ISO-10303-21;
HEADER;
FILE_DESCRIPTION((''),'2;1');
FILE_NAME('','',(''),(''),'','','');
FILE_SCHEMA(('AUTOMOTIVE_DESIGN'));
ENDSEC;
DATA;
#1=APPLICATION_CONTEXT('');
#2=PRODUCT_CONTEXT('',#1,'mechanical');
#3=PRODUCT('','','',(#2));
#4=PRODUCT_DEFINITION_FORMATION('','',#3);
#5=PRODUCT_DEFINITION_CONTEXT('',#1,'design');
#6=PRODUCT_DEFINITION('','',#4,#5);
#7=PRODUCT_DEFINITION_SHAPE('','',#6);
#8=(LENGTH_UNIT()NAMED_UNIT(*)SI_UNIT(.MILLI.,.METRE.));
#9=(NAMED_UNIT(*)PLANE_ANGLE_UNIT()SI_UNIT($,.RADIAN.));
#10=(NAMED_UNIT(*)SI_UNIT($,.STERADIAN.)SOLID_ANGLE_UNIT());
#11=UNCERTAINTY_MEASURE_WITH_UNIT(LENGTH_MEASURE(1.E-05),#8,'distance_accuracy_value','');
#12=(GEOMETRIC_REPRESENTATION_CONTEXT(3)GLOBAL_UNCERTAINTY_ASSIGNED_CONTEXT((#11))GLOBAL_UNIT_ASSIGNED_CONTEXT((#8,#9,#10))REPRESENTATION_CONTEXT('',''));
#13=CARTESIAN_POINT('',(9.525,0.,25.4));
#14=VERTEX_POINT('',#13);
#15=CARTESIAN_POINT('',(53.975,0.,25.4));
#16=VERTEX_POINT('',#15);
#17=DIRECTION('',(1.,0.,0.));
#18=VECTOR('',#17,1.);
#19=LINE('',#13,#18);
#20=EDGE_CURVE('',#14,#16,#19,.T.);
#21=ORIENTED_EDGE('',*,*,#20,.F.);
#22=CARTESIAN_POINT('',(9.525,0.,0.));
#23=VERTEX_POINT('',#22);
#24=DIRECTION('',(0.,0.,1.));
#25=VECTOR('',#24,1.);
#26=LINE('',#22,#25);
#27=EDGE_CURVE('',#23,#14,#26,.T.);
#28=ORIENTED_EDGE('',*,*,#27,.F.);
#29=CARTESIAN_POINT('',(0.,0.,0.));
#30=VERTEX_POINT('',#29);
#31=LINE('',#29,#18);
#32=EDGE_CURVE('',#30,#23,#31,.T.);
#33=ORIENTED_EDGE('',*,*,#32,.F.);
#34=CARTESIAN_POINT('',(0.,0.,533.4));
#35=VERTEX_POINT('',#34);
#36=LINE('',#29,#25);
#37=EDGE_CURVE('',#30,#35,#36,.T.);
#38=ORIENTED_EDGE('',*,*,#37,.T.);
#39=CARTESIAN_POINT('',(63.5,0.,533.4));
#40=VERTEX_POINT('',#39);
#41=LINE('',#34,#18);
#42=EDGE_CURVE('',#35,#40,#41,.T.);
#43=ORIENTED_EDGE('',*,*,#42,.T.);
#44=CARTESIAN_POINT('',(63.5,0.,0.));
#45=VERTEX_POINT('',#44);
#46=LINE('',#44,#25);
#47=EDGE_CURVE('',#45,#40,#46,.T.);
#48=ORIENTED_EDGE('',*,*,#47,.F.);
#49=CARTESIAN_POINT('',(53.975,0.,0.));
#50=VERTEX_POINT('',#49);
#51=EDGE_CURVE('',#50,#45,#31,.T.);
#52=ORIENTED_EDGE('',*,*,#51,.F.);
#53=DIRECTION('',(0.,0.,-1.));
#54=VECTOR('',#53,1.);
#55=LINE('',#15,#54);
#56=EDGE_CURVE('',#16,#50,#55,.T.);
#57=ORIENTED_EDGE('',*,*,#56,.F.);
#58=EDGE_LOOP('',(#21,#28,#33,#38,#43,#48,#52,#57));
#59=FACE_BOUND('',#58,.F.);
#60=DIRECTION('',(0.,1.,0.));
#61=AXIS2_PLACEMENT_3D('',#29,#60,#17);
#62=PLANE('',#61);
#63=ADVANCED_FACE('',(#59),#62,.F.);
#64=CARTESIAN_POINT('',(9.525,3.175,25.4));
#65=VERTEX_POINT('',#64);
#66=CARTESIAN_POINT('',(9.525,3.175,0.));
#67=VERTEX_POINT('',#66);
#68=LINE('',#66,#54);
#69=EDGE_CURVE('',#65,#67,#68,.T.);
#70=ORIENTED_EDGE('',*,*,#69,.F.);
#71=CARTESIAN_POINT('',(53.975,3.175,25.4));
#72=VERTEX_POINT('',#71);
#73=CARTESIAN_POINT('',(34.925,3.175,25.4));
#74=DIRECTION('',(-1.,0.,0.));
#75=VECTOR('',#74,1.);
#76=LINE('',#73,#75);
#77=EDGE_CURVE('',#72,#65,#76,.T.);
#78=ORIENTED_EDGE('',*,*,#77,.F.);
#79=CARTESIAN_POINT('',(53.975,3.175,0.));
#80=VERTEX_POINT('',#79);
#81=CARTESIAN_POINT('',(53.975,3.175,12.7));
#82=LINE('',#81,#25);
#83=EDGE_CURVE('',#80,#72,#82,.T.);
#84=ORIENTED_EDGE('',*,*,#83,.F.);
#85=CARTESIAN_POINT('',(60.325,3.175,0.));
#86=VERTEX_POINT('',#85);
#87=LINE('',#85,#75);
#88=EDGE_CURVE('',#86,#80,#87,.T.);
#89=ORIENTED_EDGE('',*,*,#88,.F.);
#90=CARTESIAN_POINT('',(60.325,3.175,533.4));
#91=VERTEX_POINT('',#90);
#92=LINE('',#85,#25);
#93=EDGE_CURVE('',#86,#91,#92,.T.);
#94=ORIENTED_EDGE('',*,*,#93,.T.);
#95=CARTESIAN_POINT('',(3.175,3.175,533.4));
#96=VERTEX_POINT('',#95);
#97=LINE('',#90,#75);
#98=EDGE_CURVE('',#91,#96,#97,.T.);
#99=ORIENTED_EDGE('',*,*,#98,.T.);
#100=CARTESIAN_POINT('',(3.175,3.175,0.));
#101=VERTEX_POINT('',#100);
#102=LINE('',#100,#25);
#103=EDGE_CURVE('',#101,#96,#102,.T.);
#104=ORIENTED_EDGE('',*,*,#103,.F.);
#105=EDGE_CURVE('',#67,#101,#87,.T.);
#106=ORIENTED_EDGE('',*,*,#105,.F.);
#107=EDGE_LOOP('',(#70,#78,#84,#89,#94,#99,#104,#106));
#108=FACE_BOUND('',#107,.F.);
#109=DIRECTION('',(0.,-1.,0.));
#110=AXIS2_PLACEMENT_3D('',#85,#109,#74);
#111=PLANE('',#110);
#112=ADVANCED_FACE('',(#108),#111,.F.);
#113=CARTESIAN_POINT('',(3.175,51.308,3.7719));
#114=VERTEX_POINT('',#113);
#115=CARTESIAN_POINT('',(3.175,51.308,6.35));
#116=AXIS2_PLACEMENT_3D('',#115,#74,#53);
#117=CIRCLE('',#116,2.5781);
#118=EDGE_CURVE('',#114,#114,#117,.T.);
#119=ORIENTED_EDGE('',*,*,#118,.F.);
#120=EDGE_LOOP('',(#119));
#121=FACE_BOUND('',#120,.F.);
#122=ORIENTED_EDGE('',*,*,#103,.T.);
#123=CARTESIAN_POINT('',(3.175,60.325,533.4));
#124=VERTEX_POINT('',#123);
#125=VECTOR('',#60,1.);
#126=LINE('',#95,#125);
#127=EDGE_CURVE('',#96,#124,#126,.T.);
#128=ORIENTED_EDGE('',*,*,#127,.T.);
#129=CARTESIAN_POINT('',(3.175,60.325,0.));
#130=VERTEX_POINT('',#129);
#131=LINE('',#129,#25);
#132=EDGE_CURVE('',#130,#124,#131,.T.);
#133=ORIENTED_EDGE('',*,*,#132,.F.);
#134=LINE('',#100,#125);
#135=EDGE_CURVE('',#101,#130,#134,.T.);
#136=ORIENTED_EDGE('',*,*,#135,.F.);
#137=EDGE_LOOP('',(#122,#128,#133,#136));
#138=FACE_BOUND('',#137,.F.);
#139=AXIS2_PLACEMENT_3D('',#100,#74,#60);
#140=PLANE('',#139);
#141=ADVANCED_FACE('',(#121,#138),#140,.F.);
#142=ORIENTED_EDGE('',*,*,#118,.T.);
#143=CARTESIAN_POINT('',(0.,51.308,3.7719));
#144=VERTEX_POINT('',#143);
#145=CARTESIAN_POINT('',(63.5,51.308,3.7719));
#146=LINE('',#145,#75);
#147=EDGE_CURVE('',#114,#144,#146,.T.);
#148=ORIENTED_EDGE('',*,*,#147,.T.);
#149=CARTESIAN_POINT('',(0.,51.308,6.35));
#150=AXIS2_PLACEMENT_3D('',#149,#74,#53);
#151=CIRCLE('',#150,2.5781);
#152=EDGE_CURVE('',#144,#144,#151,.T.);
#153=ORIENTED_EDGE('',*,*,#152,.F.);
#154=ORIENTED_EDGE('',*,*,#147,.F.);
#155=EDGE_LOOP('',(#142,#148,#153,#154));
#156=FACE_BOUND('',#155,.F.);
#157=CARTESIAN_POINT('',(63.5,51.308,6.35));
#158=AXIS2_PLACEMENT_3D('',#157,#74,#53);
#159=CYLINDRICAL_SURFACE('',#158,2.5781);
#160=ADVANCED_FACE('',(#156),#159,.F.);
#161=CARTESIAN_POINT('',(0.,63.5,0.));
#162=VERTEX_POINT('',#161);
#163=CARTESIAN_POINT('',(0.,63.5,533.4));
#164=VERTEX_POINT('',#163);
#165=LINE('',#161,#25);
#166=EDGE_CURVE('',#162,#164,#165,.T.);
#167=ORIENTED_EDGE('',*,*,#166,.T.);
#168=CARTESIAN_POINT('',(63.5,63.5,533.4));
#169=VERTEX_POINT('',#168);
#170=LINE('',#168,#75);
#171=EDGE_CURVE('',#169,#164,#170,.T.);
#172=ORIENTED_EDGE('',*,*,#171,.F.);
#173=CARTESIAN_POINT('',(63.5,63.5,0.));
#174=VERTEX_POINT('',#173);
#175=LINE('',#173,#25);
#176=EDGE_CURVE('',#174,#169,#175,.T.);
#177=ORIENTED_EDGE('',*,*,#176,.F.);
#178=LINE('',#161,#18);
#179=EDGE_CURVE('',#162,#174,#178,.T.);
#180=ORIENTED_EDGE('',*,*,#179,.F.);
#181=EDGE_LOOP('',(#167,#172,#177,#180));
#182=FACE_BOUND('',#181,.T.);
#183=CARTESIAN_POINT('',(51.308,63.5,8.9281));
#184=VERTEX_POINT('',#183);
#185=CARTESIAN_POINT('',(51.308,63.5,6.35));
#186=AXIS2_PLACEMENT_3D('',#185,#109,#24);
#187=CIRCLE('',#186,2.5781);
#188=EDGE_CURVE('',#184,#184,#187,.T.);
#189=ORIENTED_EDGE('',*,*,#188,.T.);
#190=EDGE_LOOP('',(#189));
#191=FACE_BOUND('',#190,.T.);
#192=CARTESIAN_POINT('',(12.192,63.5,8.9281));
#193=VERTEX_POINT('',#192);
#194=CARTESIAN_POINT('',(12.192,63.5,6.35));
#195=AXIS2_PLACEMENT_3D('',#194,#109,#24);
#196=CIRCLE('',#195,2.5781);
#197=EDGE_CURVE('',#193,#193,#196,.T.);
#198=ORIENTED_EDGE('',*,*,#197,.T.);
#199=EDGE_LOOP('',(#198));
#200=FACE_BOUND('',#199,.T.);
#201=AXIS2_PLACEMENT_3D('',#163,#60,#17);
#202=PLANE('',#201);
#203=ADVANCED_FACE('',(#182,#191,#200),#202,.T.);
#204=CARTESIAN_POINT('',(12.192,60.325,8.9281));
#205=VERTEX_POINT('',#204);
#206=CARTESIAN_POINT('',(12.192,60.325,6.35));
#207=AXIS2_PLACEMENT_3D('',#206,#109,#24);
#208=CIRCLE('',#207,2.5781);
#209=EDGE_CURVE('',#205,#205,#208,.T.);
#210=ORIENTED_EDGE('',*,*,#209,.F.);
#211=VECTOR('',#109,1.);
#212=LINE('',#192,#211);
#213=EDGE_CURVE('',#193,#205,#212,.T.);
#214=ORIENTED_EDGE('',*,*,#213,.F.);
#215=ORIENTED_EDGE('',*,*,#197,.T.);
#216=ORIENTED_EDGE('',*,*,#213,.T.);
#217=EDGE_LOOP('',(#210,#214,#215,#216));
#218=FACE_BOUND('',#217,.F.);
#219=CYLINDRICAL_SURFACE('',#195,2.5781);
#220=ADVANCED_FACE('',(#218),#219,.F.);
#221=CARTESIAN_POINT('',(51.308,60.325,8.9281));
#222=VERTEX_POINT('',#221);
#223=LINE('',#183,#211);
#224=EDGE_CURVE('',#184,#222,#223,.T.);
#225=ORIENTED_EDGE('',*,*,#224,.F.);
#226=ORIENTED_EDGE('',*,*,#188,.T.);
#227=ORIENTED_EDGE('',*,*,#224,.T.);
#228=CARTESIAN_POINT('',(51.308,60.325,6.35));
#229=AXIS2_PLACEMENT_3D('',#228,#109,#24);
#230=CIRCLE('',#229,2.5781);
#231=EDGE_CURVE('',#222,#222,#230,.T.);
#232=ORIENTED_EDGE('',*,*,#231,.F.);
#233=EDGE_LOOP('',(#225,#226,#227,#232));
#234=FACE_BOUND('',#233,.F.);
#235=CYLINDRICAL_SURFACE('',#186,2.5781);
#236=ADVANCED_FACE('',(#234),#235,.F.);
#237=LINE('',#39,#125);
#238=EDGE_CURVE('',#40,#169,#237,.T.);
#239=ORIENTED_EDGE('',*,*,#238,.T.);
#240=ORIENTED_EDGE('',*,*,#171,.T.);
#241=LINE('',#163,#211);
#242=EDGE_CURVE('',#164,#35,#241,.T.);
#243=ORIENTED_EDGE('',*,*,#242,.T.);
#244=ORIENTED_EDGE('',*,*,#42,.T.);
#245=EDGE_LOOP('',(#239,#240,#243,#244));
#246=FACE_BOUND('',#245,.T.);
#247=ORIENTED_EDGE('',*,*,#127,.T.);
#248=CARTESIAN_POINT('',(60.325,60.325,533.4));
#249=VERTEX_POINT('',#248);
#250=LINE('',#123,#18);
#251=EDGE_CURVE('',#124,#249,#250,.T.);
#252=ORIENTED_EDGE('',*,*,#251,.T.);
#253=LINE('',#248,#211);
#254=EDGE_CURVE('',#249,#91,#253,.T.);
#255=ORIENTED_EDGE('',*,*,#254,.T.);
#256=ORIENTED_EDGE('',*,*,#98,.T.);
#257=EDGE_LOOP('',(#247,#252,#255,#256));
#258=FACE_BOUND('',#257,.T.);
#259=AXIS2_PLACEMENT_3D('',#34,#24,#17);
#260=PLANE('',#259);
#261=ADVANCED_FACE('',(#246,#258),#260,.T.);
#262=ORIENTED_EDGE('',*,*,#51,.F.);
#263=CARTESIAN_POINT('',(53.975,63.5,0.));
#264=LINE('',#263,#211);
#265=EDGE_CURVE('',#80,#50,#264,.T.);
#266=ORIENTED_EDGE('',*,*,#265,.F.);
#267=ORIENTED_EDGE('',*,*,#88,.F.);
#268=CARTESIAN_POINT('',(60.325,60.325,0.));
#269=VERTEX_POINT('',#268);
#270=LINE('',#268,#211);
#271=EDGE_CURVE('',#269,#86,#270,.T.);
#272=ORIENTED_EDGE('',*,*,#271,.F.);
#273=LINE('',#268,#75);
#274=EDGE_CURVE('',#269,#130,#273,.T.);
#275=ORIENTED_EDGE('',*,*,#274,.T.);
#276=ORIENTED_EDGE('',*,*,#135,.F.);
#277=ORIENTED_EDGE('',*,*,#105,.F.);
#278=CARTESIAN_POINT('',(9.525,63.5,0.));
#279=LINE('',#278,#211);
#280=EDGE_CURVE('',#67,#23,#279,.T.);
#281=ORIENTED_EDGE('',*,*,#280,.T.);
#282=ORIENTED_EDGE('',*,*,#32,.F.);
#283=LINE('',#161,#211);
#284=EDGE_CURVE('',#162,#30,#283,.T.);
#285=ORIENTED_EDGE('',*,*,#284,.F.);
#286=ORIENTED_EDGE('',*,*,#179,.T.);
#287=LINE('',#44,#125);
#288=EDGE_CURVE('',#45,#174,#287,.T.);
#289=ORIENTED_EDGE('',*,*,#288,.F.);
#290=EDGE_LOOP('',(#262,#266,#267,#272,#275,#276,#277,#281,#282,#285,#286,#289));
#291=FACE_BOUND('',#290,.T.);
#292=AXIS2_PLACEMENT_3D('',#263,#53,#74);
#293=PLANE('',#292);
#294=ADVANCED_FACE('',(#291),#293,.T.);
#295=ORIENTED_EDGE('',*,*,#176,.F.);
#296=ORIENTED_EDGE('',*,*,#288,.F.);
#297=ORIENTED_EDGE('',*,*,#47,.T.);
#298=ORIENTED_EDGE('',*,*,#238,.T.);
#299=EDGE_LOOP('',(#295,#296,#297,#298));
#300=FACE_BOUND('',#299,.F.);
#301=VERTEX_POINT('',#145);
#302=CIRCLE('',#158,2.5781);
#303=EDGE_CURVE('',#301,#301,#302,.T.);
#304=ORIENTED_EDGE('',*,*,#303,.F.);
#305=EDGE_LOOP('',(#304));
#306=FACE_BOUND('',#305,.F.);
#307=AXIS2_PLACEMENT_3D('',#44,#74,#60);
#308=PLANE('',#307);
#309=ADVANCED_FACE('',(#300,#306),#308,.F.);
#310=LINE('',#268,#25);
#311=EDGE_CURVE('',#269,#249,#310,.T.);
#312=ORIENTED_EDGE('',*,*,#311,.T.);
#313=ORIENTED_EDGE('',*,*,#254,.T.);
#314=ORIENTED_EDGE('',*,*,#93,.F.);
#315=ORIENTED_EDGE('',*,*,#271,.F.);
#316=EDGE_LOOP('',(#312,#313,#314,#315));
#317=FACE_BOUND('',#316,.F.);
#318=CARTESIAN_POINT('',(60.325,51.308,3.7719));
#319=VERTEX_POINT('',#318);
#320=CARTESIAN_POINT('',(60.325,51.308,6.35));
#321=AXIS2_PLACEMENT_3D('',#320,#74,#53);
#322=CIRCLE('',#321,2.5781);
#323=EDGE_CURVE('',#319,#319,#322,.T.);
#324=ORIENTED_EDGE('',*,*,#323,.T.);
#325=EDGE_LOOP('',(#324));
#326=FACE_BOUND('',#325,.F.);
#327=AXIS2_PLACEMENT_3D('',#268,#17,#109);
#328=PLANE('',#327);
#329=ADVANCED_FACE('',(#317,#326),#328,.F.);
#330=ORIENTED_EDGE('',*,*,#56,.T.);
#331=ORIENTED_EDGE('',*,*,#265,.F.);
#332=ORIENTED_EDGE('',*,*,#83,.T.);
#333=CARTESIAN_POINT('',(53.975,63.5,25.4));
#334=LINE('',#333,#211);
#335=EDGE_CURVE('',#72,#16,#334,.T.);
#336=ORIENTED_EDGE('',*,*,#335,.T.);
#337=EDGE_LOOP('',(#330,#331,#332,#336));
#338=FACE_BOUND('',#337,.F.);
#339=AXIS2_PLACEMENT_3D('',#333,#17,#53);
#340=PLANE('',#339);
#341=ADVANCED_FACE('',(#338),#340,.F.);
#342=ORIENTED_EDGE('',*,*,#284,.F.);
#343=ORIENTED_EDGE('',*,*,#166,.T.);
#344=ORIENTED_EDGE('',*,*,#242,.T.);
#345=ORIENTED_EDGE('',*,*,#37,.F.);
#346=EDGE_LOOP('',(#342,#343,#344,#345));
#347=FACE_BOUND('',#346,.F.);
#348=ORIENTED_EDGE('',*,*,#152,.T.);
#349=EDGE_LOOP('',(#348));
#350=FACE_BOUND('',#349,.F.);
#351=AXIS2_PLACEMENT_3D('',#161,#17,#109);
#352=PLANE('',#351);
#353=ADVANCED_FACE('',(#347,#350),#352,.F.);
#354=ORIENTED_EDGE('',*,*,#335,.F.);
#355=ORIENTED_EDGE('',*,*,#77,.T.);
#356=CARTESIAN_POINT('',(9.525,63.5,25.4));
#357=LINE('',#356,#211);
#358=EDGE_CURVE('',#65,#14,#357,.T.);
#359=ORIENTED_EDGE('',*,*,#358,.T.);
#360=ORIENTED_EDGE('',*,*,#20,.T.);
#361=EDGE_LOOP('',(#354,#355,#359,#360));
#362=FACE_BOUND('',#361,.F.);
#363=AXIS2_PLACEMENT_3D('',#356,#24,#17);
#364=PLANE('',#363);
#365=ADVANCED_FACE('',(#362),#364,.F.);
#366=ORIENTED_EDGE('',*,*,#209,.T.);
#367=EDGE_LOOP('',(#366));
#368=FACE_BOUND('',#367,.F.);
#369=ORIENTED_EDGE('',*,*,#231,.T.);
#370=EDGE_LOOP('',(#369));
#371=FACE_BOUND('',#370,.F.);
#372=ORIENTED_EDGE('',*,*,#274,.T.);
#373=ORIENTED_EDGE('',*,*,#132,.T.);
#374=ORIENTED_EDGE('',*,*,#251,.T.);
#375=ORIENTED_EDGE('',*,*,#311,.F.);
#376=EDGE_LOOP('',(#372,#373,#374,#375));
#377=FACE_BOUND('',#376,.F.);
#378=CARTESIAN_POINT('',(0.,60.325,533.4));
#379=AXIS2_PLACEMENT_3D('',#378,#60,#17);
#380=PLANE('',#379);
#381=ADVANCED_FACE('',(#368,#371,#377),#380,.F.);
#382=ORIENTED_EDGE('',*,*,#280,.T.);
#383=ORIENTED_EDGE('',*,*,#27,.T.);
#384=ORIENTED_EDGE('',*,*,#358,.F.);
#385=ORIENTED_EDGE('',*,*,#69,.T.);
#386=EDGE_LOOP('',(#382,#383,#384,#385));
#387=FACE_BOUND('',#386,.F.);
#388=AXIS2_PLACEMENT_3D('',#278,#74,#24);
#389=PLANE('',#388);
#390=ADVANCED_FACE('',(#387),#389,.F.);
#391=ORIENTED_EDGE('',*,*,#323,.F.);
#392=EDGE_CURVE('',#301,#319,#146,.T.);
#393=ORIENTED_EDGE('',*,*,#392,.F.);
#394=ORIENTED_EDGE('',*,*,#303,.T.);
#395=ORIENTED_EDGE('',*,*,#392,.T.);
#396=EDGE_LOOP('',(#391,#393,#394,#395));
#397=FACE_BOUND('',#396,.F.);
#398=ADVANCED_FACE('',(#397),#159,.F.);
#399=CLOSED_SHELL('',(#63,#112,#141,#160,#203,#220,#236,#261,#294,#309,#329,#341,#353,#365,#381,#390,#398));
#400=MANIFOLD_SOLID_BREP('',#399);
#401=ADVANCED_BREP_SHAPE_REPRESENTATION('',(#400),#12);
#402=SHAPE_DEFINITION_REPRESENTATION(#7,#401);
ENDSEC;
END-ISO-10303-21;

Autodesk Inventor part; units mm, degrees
ref_plane "YZ Plane" through (0, 0, 0) normal (1, 0, 0) x (0, 1, 0)
ref_plane "XZ Plane" through (0, 0, 0) normal (0, 1, 0) x (-1, 0, 0)
ref_plane "XY Plane" through (0, 0, 0) normal (0, 0, 1) x (1, 0, 0)
sketch "Sketch1" plane through (0, 0, 0) normal (0, 0, 1) x (1, 0, 0)
  line L0 (0, 0) -> (63.5, 0)
  line L1 (63.5, 0) -> (63.5, 63.5)
  line L2 (63.5, 63.5) -> (0, 63.5)
  line L3 (0, 63.5) -> (0, 0)
  line L4 (3.175, 60.325) -> (60.325, 60.325)
  line L5 (60.325, 60.325) -> (60.325, 3.175)
  line L6 (60.325, 3.175) -> (3.175, 3.175)
  line L7 (3.175, 3.175) -> (3.175, 60.325)
  dimension "d0" = 63.5
  dimension "d1" = 63.5
  dimension "d2" = 3.175
extrude "Extrusion1" add sketch "Sketch1" along normal blind 533.4
sketch "Sketch3" plane through (0, 63.5, 0) normal (0, 1, 0) x (1, 0, 0)
  line L0 (9.525, 0) -> (9.525, -25.4)
  line L1 (9.525, -25.4) -> (53.975, -25.4)
  line L2 (53.975, -25.4) -> (53.975, 0)
  line L3 (63.5, 0) -> (63.5, -533.4) projected
  line L4 (63.5, 0) -> (0, 0) projected
  line L5 (9.525, 0) -> (53.975, 0)
  line L6 (0, 0) -> (63.5, 0) projected
  line L7 (63.5, 0) -> (0, 0) projected
  line L8 (0, 0) -> (0, -533.4) projected
  line L9 (63.5, -533.4) -> (0, -533.4) projected
  line L10 (63.5, 0) -> (63.5, -533.4) projected
  dimension "d14" = 44.45
  dimension "d16" = 25.4
  dimension "d19" = 9.525
  dimension "d20" = 9.525
extrude "Extrusion2" cut sketch "Sketch3" against normal blind 63.5 contours L4 L2 L1 L0
sketch "Sketch5" plane through (0, 63.5, 533.4) normal (0, 1, 0) x (1, 0, 0)
  line L0 (53.975, 508) -> (9.525, 508) projected
  line L1 (53.975, 533.4) -> (53.975, 508) projected
  line L2 (9.525, 508) -> (9.525, 533.4) projected
  line L3 (53.975, 533.4) -> (9.525, 533.4)
  point P0 (0, 533.4)
extrude "Extrusion3" add sketch "Sketch5" against normal blind 3.175
sketch "Sketch6" plane through (0, 63.5, 0) normal (0, 1, 0) x (1, 0, 0)
  line L0 (0, 0) -> (0, -533.4) projected
  line L1 (63.5, 0) -> (63.5, -533.4) projected
  line L2 (63.5, 0) -> (0, 0) projected
  point P0 (12.192, -6.35)
  point P1 (51.308, -6.35)
  dimension "d23" = 12.192
  dimension "d24" = 12.192
  dimension "d25" = 6.35
hole "Hole2" at (12.192, 63.5, 6.35) at (51.308, 63.5, 6.35) direction (0, -1, 0) diameter 5.1562 depth 25.4 tip angle 118
sketch "Sketch7" plane through (63.5, 0, 0) normal (1, 0, 0) x (0, 0, -1)
  line L0 (0, 63.5) -> (-533.4, 63.5) projected
  line L1 (0, 0) -> (0, 63.5) projected
  point P0 (-6.35, 51.308)
  dimension "d33" = 12.192
  dimension "d34" = 6.35
hole "Hole3" at (63.5, 51.308, 6.35) direction (-1, 0, 0) diameter 5.1562 depth 76.2 tip angle 118
equation "\"d19\" = d20"
equation "\"d24\" = d23"
properties part number "TelescopeNewOuter" material "Aluminum 6061"
